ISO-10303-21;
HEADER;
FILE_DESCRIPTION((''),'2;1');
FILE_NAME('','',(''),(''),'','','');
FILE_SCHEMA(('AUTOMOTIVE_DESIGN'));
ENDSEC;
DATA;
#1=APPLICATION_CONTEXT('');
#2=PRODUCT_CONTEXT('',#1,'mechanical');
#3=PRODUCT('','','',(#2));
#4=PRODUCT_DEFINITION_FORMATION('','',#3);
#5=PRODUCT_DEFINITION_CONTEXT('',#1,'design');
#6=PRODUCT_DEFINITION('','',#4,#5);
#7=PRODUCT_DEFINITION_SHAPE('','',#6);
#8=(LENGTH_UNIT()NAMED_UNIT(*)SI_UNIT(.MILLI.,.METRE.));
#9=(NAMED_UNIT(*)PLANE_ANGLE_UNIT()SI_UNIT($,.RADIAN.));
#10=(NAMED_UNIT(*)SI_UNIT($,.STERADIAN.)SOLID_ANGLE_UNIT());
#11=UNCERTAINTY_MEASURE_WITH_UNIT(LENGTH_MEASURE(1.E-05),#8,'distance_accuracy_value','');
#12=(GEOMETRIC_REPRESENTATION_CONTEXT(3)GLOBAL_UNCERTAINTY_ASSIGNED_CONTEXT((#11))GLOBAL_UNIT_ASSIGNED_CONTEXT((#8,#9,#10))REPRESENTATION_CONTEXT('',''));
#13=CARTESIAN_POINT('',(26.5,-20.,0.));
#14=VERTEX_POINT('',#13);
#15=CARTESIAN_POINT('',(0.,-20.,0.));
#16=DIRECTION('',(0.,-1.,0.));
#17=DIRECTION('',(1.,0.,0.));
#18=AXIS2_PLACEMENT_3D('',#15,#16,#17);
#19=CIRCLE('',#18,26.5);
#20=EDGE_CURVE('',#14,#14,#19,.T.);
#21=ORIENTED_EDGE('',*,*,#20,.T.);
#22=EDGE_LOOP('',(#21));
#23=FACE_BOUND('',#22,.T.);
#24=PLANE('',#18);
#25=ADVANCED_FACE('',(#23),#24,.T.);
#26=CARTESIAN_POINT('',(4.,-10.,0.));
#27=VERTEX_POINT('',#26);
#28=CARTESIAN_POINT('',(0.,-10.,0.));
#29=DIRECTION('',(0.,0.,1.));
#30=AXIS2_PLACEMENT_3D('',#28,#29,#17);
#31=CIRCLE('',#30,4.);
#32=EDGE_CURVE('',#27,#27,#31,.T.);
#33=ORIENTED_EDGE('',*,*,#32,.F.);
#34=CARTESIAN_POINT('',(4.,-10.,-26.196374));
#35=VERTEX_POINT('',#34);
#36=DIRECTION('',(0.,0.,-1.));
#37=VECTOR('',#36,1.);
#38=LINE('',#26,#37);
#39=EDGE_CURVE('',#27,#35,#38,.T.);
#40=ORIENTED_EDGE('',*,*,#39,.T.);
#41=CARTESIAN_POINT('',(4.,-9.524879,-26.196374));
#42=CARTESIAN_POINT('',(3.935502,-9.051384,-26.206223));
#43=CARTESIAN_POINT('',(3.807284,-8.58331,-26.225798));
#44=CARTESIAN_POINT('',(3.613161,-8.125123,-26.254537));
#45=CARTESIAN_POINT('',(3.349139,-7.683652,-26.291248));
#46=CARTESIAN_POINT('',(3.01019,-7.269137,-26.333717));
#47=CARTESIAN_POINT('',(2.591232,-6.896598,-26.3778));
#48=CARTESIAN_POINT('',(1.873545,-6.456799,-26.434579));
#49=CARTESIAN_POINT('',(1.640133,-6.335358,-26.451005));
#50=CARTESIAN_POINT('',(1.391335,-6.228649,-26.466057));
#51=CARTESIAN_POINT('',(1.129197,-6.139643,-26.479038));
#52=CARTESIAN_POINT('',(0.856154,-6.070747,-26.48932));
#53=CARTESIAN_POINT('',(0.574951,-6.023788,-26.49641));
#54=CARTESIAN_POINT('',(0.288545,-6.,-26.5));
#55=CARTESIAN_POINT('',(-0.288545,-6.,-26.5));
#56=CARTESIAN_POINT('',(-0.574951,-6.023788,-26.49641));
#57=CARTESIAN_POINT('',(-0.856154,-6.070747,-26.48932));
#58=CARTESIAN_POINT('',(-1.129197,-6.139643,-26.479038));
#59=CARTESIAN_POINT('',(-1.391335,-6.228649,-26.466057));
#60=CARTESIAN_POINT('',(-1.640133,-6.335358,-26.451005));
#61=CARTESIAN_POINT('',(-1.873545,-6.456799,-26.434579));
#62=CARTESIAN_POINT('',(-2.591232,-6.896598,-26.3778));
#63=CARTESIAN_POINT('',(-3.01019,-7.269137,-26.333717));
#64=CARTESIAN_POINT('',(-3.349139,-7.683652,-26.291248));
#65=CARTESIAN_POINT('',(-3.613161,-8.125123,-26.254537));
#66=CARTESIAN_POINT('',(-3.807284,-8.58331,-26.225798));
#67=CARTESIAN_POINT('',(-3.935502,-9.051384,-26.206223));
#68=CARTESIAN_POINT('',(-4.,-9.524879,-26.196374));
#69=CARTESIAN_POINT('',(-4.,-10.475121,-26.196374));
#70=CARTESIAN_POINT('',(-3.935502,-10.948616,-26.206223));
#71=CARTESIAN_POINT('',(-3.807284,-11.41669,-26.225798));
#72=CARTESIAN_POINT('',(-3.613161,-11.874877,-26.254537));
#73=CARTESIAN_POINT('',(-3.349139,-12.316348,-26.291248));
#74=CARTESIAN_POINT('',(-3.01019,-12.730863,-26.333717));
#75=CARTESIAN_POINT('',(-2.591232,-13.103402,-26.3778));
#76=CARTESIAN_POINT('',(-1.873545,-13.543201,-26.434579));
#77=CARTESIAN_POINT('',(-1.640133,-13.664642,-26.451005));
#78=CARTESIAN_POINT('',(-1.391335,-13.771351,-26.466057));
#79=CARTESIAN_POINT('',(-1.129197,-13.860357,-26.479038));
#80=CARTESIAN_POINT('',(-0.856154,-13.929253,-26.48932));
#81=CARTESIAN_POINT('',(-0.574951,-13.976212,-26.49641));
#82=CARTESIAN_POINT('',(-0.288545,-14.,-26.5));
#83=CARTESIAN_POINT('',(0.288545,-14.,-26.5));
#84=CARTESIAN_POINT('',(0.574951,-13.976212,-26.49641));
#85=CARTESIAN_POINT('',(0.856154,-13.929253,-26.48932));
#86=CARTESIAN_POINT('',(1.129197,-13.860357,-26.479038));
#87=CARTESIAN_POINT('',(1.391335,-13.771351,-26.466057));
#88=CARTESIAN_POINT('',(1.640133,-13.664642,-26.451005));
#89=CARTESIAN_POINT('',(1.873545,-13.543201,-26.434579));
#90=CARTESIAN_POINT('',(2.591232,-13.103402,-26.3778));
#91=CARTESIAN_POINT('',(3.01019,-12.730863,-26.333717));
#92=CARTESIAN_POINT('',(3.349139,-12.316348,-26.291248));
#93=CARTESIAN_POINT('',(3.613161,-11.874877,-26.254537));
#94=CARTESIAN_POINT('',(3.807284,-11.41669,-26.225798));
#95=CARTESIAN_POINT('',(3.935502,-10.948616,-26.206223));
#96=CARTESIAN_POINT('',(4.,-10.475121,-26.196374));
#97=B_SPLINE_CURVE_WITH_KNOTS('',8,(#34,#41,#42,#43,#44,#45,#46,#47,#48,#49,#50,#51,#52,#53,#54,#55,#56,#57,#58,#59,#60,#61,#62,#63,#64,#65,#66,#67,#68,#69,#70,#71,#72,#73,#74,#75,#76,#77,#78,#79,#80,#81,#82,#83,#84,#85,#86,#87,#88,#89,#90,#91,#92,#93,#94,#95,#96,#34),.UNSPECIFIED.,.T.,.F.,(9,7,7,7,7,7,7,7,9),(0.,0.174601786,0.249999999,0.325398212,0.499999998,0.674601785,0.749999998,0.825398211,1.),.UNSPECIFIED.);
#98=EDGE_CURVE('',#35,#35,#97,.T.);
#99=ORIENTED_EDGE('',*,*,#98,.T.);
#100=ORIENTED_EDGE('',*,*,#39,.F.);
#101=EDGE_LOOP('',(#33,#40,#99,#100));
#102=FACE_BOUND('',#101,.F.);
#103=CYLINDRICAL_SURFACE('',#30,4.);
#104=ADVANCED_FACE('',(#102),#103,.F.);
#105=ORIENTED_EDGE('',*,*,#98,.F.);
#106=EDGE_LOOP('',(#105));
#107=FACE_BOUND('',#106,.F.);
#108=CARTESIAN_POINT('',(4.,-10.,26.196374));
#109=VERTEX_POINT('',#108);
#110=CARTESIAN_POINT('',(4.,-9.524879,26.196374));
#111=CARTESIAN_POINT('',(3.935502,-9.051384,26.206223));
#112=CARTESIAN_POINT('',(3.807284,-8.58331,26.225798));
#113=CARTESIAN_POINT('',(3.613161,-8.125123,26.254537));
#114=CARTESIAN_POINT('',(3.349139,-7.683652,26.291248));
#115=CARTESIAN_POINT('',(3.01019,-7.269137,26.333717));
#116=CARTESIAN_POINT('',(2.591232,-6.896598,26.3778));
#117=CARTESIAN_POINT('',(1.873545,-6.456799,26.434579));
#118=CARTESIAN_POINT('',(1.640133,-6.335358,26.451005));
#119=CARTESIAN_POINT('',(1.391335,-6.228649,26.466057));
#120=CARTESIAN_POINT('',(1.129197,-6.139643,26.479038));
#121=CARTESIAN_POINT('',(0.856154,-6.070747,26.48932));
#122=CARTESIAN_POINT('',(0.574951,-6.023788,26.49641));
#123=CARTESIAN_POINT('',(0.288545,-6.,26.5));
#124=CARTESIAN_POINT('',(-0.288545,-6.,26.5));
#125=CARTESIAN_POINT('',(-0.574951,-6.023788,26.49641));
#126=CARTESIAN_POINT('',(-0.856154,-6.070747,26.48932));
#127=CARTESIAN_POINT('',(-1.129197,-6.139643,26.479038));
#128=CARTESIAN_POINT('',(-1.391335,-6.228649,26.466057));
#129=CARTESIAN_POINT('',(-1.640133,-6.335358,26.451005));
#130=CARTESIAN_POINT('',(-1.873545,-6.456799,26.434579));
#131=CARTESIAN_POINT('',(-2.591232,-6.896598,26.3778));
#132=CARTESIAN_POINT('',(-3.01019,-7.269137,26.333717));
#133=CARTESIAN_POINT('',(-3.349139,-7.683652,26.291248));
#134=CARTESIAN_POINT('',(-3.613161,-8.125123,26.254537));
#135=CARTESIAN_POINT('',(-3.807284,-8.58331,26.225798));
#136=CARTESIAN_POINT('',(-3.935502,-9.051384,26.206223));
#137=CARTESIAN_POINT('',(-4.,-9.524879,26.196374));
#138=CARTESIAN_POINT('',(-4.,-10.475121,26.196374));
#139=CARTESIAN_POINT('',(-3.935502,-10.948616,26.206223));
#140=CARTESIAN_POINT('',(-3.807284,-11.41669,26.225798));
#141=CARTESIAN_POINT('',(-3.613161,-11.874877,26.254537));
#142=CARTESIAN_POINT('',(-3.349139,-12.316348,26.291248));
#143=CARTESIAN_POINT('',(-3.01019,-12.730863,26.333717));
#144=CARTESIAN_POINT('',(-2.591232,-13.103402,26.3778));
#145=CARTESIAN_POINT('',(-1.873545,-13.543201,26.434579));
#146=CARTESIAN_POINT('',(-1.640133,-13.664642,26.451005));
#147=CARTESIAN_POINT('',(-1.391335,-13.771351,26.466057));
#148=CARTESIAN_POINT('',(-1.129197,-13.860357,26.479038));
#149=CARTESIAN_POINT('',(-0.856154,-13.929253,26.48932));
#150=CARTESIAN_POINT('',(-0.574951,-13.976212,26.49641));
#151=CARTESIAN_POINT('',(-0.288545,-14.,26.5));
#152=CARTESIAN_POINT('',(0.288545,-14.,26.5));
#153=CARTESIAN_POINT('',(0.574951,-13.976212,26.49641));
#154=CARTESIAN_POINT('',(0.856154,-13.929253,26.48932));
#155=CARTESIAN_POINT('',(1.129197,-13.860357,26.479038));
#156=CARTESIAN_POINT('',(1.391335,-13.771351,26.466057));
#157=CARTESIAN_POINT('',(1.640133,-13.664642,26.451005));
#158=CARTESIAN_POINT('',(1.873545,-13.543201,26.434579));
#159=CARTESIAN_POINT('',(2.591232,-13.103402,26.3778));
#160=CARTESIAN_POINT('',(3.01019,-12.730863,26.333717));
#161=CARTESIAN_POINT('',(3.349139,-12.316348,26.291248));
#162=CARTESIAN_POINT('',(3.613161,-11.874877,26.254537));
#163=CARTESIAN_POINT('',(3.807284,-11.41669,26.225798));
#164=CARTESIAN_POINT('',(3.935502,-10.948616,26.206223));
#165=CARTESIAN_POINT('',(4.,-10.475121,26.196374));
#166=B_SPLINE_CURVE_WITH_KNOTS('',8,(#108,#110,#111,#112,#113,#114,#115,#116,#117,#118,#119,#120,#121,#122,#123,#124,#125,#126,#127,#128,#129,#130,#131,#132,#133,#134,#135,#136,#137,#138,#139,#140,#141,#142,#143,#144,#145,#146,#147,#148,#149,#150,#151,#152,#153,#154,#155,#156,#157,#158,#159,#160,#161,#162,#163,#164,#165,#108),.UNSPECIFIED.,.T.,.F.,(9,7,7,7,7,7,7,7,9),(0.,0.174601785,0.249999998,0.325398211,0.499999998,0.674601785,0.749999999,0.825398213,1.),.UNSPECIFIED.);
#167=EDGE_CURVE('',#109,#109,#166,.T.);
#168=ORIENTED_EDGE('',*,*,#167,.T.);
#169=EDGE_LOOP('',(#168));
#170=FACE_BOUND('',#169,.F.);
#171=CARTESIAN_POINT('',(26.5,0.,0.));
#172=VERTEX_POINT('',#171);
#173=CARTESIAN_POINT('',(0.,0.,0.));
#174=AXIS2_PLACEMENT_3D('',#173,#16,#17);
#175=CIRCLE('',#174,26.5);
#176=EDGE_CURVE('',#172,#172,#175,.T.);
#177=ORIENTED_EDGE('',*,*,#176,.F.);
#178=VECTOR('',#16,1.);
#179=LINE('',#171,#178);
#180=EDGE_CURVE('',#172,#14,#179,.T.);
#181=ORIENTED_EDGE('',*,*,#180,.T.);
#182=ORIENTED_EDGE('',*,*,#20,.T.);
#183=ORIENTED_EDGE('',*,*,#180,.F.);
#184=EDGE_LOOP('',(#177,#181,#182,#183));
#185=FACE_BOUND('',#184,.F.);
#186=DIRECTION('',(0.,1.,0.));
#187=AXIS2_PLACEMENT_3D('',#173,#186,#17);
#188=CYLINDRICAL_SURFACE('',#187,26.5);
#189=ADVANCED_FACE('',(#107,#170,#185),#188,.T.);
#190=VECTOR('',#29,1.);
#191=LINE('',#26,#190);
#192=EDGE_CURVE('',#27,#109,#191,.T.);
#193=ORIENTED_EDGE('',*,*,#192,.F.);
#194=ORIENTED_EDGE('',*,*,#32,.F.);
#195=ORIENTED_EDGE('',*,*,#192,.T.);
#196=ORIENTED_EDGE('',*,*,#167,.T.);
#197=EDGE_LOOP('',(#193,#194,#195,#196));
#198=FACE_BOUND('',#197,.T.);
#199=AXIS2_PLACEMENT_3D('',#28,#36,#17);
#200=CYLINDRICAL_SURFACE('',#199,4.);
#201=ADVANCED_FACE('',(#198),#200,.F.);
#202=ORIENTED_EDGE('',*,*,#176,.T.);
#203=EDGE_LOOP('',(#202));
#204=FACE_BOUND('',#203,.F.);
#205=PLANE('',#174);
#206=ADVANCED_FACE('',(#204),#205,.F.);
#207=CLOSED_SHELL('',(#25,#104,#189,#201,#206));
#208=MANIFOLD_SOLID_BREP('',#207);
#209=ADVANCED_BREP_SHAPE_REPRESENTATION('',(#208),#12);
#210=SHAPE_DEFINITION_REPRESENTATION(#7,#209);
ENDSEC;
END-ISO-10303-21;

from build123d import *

# Parameters (mm, degrees)
F0_R     = 26.5
F1_DEPTH = 20
F2_R     = 4
F3_DEPTH = 26.501
F4_DEPTH = 26.501


with BuildPart() as f1:
    # F0 (on Front) → F1 (new body)
    with BuildSketch(Plane.XZ):
        Circle(F0_R)
    extrude(amount=F1_DEPTH)

    # F2 (on Top) → F3 (cut, through all)
    with BuildSketch(Plane.XY):
        with Locations((0, -10)):
            Circle(F2_R)
    extrude(amount=-F3_DEPTH, mode=Mode.SUBTRACT)

    # F2 (on Top) → F4 (cut, through all)
    with BuildSketch(Plane.XY):
        with Locations((0, -10)):
            Circle(F2_R)
    extrude(amount=F4_DEPTH, mode=Mode.SUBTRACT)


solid = f1.part
